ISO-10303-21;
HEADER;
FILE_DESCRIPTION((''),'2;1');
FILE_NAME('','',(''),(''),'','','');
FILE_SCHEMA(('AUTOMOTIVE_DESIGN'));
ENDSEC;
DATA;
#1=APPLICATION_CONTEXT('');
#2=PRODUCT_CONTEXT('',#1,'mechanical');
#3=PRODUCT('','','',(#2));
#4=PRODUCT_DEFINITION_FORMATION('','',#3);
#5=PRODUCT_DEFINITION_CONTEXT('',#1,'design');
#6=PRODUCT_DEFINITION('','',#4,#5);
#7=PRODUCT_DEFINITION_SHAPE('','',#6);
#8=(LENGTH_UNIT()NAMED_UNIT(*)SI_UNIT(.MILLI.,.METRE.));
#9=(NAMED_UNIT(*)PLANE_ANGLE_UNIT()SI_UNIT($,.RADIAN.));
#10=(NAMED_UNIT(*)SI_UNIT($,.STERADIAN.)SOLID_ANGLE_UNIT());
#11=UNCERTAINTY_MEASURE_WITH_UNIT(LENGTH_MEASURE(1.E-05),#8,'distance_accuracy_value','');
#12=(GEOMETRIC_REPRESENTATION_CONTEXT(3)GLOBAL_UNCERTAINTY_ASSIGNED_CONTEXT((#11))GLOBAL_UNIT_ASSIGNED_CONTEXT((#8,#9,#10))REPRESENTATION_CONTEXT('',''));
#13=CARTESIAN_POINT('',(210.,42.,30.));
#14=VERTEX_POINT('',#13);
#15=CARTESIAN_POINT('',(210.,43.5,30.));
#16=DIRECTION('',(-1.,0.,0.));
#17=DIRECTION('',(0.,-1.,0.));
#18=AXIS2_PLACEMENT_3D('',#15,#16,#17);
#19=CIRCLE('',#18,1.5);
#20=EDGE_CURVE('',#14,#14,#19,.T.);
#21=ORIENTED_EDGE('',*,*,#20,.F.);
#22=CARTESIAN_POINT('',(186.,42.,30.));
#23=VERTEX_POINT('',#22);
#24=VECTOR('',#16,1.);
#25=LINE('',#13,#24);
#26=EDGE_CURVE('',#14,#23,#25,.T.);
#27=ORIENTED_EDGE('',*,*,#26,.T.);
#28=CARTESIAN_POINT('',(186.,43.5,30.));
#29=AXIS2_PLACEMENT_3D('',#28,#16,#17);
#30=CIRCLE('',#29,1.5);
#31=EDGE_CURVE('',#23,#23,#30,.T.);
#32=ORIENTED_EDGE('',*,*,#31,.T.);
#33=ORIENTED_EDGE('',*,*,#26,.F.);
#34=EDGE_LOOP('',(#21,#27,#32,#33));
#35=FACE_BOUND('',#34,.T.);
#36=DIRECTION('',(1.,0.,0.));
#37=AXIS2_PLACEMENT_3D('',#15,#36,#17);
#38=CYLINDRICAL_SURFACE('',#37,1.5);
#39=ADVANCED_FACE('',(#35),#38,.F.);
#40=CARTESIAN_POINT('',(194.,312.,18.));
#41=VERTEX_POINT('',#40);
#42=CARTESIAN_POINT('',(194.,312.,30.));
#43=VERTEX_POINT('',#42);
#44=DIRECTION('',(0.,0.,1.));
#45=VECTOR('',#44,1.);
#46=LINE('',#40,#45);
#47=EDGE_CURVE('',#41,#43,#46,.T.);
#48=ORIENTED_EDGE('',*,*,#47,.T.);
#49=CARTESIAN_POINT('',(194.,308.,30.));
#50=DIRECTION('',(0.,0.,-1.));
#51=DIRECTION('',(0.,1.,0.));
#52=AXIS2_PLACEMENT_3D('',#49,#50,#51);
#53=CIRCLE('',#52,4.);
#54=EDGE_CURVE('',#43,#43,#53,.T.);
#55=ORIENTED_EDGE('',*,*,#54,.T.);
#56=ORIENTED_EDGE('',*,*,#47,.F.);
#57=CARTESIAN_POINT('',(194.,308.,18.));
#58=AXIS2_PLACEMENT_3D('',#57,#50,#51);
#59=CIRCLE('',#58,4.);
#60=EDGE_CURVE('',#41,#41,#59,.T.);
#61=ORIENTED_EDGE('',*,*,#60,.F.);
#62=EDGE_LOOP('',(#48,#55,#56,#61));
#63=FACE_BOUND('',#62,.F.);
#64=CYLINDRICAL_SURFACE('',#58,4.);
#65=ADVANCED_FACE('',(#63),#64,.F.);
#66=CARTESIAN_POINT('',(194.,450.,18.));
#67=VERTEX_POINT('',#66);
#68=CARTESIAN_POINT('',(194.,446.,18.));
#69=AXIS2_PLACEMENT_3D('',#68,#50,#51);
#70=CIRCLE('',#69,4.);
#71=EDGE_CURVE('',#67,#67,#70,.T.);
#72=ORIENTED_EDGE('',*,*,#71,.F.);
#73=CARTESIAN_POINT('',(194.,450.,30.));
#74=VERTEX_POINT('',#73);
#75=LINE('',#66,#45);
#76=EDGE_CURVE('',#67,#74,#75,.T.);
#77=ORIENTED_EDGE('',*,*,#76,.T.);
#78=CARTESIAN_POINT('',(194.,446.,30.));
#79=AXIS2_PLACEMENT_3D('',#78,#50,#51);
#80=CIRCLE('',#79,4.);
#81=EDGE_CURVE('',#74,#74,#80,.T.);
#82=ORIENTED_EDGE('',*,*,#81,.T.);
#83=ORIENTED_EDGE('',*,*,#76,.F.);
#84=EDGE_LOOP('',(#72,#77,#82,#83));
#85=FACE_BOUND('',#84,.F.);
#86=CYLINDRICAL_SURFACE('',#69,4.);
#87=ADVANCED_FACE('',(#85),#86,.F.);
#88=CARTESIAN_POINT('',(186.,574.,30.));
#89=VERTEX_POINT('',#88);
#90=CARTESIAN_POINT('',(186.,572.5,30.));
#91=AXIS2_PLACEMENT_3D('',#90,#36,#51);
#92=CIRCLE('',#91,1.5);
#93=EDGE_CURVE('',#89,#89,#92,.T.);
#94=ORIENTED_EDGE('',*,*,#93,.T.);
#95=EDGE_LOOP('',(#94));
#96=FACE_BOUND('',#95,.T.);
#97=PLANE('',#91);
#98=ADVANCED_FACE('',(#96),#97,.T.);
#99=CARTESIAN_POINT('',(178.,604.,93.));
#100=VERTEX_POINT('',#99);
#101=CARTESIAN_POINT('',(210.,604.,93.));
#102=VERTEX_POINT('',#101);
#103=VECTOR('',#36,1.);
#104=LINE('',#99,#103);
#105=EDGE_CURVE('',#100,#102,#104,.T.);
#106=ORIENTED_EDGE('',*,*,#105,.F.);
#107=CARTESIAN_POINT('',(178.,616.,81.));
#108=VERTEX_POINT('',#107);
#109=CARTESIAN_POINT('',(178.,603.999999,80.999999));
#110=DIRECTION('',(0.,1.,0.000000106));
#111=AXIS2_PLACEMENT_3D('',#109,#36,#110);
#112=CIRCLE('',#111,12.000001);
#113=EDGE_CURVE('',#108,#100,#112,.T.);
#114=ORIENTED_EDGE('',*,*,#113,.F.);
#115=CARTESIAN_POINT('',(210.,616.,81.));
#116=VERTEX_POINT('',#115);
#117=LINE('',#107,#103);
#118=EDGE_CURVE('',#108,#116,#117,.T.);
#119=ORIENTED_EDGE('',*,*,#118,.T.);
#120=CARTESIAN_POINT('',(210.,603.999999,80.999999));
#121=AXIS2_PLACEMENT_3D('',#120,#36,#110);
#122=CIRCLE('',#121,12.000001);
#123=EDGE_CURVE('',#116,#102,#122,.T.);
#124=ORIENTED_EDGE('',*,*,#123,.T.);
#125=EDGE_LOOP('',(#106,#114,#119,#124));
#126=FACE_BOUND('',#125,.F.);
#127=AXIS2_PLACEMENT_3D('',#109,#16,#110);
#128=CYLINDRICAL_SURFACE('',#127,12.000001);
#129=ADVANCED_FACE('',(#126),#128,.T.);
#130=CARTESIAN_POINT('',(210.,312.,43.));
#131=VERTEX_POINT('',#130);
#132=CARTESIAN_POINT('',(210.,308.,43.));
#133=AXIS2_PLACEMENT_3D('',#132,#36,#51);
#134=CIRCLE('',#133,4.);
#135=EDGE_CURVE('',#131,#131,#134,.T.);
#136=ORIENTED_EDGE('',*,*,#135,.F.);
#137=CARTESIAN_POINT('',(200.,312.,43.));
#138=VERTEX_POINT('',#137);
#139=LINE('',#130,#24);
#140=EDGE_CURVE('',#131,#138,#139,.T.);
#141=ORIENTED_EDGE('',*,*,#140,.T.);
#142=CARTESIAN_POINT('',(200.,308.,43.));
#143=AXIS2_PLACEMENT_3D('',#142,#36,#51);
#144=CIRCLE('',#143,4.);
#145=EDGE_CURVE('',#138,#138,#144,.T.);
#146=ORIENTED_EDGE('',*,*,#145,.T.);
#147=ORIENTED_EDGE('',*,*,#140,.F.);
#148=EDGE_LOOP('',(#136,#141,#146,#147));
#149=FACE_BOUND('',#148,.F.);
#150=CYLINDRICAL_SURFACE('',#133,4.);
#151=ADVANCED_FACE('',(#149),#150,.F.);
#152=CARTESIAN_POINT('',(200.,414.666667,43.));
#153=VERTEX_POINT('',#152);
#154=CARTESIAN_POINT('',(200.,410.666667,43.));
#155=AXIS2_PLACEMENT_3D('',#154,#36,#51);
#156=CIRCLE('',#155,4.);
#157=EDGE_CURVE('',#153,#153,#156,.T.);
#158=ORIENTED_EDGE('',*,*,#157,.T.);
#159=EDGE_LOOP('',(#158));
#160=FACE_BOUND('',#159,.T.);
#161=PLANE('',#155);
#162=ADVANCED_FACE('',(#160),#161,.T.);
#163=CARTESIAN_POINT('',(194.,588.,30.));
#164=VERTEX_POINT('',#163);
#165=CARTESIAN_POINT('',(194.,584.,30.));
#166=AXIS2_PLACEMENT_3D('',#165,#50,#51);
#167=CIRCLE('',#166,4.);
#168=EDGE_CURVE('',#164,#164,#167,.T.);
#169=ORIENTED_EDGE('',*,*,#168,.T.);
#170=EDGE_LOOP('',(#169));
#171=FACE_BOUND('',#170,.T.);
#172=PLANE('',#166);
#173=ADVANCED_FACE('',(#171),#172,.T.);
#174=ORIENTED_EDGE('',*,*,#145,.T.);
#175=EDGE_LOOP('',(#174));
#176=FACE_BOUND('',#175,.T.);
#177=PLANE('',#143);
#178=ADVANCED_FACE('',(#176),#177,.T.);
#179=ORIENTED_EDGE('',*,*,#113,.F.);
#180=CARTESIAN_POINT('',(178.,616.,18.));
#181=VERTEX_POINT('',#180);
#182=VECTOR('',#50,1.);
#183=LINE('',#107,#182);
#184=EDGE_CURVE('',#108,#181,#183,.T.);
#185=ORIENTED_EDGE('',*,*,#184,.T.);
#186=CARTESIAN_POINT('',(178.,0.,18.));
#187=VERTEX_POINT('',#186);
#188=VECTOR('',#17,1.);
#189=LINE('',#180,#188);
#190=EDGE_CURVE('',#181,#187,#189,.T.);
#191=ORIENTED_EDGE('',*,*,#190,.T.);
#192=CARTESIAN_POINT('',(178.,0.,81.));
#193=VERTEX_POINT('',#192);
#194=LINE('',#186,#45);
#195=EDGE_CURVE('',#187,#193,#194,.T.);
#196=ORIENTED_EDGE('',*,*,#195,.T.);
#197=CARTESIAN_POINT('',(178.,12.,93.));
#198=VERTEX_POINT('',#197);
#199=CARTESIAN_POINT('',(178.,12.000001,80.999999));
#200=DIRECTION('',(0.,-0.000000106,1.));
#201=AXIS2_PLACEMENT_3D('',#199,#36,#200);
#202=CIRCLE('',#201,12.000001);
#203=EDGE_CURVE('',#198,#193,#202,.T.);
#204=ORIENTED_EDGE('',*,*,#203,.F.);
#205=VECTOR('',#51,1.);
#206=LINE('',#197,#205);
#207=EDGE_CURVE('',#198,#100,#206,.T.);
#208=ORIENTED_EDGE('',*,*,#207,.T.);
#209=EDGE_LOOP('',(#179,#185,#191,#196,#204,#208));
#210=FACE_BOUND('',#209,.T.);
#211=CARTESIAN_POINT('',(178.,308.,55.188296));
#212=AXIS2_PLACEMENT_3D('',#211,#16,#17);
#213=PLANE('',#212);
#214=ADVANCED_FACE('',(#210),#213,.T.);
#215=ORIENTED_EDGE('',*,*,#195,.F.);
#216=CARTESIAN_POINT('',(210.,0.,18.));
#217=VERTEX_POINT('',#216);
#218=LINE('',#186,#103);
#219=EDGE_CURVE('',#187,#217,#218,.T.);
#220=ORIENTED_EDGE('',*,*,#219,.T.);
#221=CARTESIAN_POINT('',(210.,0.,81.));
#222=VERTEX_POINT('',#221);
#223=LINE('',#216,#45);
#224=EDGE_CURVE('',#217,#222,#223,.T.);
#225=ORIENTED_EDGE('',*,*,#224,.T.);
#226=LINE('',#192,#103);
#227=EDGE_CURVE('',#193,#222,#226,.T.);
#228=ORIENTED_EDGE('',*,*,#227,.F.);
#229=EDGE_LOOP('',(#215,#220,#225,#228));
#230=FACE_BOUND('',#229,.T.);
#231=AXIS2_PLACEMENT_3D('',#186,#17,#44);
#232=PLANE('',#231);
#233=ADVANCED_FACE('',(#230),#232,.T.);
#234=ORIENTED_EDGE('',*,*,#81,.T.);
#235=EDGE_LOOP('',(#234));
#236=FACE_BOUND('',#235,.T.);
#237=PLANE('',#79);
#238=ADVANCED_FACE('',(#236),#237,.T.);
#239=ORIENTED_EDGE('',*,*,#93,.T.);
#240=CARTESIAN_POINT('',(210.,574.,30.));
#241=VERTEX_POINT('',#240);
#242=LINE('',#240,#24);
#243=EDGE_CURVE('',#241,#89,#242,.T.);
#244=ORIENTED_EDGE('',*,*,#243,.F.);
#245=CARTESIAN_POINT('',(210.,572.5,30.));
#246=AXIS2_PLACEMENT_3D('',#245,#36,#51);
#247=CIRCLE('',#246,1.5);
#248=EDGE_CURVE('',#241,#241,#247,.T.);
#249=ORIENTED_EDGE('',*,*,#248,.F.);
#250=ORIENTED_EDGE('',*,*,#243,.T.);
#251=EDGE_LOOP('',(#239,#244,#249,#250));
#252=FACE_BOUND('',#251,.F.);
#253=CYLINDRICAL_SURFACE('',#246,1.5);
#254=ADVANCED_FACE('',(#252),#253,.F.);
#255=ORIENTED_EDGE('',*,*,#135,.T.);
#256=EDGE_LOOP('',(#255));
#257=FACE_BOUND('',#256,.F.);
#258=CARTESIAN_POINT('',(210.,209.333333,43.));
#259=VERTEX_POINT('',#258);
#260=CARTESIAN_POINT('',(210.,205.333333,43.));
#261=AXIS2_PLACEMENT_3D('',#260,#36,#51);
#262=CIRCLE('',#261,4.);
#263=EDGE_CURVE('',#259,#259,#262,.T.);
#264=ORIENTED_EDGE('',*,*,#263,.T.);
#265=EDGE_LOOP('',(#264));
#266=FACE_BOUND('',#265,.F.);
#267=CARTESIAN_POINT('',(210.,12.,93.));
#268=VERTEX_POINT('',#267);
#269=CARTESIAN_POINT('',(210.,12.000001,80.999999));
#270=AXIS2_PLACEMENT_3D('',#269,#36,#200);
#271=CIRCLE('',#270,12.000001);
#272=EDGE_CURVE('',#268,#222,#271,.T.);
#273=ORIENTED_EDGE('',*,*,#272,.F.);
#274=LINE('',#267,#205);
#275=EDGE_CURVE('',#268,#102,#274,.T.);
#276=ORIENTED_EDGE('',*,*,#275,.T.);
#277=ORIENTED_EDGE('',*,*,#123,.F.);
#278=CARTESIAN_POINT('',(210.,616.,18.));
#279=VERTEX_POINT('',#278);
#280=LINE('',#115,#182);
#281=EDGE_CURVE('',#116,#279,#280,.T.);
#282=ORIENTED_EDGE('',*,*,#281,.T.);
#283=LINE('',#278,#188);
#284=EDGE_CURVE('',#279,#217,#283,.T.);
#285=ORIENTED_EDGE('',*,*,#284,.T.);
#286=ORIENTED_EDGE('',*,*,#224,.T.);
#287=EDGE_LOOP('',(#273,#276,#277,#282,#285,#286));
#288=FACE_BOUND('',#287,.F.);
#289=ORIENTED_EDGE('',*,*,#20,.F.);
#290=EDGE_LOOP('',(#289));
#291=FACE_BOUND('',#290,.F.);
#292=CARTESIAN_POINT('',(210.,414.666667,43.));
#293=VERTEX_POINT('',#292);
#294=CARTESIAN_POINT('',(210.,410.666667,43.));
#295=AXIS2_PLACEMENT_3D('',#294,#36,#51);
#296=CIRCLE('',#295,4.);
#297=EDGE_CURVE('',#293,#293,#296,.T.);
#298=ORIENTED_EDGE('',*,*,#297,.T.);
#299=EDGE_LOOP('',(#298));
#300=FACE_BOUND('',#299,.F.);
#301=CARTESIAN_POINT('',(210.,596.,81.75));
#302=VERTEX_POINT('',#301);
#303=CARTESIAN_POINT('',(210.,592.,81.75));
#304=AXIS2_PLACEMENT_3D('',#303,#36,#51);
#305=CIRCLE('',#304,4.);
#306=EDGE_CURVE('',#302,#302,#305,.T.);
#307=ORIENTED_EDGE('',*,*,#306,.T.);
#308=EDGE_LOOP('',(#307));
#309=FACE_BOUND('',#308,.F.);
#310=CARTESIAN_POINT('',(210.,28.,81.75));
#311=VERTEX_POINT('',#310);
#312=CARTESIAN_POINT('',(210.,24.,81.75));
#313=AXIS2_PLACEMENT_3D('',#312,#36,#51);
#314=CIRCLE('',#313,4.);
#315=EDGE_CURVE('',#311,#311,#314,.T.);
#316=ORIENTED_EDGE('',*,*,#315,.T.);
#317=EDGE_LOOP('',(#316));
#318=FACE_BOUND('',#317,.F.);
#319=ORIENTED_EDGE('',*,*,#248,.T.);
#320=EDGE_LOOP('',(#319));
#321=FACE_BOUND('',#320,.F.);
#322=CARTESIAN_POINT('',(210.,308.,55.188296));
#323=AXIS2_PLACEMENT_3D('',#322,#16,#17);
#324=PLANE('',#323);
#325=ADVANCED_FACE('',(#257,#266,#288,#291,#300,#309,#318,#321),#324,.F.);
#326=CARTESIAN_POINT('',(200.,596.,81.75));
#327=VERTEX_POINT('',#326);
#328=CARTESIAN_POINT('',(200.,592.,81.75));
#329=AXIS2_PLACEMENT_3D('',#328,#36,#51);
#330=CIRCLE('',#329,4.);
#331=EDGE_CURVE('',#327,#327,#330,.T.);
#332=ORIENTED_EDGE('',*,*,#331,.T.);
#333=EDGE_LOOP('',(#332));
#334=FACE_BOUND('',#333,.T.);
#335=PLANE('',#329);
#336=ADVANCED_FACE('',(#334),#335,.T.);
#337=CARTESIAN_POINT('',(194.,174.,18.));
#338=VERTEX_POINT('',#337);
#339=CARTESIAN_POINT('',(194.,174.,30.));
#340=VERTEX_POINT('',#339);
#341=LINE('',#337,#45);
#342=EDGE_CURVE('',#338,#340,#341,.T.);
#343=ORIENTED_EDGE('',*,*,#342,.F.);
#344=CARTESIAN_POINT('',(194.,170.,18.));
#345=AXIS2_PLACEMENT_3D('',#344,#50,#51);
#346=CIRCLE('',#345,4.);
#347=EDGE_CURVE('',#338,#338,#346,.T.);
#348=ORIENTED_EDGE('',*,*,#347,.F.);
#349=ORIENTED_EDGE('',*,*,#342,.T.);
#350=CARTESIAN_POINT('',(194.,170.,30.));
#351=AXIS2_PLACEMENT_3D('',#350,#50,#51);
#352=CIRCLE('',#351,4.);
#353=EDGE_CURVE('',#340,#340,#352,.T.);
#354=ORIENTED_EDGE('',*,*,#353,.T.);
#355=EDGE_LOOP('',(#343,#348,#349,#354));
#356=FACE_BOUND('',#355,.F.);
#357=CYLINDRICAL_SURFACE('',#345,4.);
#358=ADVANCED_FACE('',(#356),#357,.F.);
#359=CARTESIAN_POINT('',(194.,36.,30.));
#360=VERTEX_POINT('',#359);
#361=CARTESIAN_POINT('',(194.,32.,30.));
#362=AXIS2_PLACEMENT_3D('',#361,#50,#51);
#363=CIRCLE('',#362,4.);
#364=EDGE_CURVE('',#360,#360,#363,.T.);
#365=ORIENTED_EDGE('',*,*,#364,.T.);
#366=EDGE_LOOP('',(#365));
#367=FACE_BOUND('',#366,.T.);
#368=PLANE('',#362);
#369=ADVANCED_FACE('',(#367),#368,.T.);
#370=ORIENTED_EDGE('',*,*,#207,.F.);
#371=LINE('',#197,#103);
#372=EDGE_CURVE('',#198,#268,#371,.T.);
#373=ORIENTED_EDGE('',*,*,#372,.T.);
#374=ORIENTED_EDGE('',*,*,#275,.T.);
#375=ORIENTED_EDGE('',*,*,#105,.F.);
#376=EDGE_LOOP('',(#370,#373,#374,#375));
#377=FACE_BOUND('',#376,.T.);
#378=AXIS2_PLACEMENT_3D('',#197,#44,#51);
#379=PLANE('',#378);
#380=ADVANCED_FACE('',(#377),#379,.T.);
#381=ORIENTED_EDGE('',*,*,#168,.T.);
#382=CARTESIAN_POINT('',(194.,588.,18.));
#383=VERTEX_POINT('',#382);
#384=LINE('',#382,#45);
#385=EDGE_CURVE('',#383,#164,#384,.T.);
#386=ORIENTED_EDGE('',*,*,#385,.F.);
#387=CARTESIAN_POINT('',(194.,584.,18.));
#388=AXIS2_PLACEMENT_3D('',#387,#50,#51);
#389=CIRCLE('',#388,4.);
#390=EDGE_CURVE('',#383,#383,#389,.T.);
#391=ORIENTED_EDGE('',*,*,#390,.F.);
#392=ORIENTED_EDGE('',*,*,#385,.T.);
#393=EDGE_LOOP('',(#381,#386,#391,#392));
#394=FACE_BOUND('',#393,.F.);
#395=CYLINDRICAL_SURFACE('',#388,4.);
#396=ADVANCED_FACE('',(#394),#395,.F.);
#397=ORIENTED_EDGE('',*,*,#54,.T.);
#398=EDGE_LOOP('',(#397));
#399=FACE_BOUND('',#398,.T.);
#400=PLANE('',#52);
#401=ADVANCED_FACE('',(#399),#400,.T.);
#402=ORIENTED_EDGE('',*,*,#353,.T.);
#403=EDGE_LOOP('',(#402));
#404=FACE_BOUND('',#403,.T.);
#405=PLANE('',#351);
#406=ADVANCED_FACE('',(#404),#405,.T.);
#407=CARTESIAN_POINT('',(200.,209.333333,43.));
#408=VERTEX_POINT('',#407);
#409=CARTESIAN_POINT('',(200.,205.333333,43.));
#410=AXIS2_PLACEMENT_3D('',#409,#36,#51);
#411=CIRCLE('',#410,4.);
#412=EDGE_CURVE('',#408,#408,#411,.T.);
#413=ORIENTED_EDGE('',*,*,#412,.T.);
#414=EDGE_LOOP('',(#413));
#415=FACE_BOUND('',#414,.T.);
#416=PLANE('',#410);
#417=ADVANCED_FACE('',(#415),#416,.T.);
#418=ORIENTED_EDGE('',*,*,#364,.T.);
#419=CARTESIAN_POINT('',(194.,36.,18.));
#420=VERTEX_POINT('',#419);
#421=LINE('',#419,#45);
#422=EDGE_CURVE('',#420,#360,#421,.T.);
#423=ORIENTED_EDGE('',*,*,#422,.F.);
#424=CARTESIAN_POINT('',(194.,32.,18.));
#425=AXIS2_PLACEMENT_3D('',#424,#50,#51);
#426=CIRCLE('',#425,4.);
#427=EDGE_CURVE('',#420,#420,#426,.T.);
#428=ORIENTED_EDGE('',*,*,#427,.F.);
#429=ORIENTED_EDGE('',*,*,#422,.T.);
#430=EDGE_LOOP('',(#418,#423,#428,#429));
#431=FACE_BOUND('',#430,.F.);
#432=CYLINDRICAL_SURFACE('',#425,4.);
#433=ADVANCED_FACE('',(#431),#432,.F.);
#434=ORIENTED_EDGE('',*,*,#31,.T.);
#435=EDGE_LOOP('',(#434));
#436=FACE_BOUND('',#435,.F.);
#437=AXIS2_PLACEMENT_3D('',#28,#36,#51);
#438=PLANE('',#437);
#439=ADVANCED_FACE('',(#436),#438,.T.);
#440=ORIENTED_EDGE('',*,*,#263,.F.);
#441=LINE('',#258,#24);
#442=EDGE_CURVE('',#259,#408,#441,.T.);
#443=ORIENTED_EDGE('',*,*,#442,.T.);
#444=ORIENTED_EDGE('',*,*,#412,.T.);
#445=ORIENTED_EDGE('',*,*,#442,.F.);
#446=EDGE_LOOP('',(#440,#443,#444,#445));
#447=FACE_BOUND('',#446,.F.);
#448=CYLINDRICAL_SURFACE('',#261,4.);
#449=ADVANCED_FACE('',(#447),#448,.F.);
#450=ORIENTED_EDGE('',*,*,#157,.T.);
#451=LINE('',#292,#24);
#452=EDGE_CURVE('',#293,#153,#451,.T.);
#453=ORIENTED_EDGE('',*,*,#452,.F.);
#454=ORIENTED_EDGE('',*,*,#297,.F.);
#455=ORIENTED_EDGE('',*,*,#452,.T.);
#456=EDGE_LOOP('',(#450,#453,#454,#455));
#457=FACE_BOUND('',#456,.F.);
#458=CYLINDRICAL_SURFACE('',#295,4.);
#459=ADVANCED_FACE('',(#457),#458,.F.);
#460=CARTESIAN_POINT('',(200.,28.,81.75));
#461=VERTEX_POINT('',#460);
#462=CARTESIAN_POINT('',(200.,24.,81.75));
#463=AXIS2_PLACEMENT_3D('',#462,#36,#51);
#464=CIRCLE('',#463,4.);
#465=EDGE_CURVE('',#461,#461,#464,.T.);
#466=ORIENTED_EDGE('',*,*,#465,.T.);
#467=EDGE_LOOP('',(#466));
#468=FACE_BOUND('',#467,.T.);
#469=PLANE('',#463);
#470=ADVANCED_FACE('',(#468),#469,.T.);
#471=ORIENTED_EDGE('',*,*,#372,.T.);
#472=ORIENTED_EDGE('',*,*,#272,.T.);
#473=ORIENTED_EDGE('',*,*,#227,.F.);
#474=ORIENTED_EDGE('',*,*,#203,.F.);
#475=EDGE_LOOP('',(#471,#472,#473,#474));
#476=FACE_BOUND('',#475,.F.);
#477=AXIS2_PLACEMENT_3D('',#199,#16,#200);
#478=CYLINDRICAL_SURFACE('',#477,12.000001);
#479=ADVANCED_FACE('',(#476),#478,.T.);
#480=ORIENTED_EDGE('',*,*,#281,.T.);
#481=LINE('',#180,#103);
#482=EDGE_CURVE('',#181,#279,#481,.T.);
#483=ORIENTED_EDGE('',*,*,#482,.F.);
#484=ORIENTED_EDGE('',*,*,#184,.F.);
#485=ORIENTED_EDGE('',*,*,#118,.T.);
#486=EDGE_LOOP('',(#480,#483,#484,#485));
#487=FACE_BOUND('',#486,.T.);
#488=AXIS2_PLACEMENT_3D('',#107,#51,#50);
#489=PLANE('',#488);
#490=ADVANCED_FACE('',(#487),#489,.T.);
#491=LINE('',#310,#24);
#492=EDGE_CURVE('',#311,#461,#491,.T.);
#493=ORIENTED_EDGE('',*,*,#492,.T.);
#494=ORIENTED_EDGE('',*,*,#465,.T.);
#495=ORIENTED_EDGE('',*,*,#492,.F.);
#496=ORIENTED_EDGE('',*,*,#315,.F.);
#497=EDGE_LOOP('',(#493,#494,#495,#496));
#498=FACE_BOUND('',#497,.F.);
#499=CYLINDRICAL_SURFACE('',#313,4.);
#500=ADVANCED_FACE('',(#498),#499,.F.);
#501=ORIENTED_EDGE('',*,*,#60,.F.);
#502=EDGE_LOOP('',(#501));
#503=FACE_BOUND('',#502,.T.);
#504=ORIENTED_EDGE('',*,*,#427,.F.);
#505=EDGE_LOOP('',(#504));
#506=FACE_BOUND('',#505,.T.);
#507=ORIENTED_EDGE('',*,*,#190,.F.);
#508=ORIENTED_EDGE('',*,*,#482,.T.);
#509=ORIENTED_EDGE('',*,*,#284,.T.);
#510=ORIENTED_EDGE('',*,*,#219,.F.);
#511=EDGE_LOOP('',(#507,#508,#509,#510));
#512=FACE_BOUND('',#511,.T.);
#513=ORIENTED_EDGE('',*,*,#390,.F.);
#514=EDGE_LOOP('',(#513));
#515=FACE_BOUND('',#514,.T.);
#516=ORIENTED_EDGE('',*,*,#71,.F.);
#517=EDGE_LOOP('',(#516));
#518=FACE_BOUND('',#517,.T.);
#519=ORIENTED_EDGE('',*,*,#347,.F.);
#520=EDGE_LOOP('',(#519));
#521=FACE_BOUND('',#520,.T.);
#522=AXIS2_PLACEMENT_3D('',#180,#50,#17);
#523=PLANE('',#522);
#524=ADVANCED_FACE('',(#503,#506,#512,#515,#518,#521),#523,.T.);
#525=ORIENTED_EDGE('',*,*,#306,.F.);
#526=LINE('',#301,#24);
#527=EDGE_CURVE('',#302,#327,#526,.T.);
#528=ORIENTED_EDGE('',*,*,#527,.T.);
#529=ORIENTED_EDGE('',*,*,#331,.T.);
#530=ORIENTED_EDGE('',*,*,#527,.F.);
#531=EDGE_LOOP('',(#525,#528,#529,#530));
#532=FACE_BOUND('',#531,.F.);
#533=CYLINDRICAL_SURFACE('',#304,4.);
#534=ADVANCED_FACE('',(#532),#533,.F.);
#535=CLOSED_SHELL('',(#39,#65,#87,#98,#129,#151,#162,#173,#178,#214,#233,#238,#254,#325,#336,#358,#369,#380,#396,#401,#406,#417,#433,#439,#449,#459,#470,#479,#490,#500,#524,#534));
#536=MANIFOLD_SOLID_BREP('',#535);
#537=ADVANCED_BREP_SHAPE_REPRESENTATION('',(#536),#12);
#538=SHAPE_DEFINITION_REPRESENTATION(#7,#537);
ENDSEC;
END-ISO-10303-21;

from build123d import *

# Parameters (mm, degrees)
PAD008_DEPTH            = 32
SKETCH017_R             = 1.5
POCKET008_DEPTH         = 24
SKETCH018_R             = 4
POCKET009_DEPTH         = 10
SKETCH019_R             = 4
POCKET010_DEPTH         = 12
LINEARPATTERN003_COUNT  = 5
LINEARPATTERN003_PITCH  = 138
BODY008_ROLL_ANGLE      = 90
BODY008_PLACEMENT_ANGLE = 90


with BuildPart() as part:
    # Sketch016 → Pad008 (new body)
    with BuildSketch(Plane.XY):
        with BuildLine():
            Line((-296, 75), (296, 75))
            ThreePointArc((308, 63), (304.485281, 71.485281), (296, 75))
            Line((308, 63), (308, 0))
            Line((308, 0), (-308, 0))
            Line((-308, 0), (-308, 63))
            ThreePointArc((-296, 75), (-304.485281, 71.485281), (-308, 63))
        make_face()
    extrude(amount=PAD008_DEPTH)

    # Sketch017 (on Face8 of Pad008) → Pocket008 (cut)
    with BuildSketch(Plane.XY.offset(32)):
        with Locations((264.5, 12)):
            Circle(SKETCH017_R)
    pocket008 = extrude(amount=-POCKET008_DEPTH, mode=Mode.SUBTRACT)

    # Mirrored003: Pocket008 across Sketch017 V_Axis
    add(pocket008.mirror(Plane(origin=(0, 0, 32), x_dir=(0, 0, 1), z_dir=(1, 0, 0))), mode=Mode.SUBTRACT)

    # Sketch018 (on Face5 of Mirrored003) → Pocket009 (cut)
    with BuildSketch(Plane.XY.offset(32)):
        with Locations((-284, 63.75)):
            Circle(SKETCH018_R)
        with Locations((284, 63.75)):
            Circle(SKETCH018_R)
        with Locations((-102.666667, 25)):
            Circle(SKETCH018_R)
        with Locations((0, 25)):
            Circle(SKETCH018_R)
        with Locations((102.666667, 25)):
            Circle(SKETCH018_R)
    extrude(amount=-POCKET009_DEPTH, mode=Mode.SUBTRACT)

    # Sketch019 (on Face3 of Pocket009) → Pocket010 (cut)
    with BuildSketch(Plane.XZ):
        with Locations((276, 16)):
            Circle(SKETCH019_R)
    pocket010 = extrude(amount=-POCKET010_DEPTH, mode=Mode.SUBTRACT)

    # LinearPattern003: Pocket010 ×5
    with Locations(*[(-i * LINEARPATTERN003_PITCH, 0, 0) for i in range(1, LINEARPATTERN003_COUNT)]):
        add(pocket010, mode=Mode.SUBTRACT)


with BuildPart() as part_1:
    # Body008 roll: moved
    add(part.part.rotate(Axis((0, 0, 0), (1, 0, 0)), BODY008_ROLL_ANGLE))


with BuildPart() as part_2:
    # Body008 placement: moved
    add(part_1.part.moved(Location((178, 308, 18))).rotate(Axis((178, 308, 18), (0, 0, 1)), BODY008_PLACEMENT_ANGLE))


solid = part_2.part
